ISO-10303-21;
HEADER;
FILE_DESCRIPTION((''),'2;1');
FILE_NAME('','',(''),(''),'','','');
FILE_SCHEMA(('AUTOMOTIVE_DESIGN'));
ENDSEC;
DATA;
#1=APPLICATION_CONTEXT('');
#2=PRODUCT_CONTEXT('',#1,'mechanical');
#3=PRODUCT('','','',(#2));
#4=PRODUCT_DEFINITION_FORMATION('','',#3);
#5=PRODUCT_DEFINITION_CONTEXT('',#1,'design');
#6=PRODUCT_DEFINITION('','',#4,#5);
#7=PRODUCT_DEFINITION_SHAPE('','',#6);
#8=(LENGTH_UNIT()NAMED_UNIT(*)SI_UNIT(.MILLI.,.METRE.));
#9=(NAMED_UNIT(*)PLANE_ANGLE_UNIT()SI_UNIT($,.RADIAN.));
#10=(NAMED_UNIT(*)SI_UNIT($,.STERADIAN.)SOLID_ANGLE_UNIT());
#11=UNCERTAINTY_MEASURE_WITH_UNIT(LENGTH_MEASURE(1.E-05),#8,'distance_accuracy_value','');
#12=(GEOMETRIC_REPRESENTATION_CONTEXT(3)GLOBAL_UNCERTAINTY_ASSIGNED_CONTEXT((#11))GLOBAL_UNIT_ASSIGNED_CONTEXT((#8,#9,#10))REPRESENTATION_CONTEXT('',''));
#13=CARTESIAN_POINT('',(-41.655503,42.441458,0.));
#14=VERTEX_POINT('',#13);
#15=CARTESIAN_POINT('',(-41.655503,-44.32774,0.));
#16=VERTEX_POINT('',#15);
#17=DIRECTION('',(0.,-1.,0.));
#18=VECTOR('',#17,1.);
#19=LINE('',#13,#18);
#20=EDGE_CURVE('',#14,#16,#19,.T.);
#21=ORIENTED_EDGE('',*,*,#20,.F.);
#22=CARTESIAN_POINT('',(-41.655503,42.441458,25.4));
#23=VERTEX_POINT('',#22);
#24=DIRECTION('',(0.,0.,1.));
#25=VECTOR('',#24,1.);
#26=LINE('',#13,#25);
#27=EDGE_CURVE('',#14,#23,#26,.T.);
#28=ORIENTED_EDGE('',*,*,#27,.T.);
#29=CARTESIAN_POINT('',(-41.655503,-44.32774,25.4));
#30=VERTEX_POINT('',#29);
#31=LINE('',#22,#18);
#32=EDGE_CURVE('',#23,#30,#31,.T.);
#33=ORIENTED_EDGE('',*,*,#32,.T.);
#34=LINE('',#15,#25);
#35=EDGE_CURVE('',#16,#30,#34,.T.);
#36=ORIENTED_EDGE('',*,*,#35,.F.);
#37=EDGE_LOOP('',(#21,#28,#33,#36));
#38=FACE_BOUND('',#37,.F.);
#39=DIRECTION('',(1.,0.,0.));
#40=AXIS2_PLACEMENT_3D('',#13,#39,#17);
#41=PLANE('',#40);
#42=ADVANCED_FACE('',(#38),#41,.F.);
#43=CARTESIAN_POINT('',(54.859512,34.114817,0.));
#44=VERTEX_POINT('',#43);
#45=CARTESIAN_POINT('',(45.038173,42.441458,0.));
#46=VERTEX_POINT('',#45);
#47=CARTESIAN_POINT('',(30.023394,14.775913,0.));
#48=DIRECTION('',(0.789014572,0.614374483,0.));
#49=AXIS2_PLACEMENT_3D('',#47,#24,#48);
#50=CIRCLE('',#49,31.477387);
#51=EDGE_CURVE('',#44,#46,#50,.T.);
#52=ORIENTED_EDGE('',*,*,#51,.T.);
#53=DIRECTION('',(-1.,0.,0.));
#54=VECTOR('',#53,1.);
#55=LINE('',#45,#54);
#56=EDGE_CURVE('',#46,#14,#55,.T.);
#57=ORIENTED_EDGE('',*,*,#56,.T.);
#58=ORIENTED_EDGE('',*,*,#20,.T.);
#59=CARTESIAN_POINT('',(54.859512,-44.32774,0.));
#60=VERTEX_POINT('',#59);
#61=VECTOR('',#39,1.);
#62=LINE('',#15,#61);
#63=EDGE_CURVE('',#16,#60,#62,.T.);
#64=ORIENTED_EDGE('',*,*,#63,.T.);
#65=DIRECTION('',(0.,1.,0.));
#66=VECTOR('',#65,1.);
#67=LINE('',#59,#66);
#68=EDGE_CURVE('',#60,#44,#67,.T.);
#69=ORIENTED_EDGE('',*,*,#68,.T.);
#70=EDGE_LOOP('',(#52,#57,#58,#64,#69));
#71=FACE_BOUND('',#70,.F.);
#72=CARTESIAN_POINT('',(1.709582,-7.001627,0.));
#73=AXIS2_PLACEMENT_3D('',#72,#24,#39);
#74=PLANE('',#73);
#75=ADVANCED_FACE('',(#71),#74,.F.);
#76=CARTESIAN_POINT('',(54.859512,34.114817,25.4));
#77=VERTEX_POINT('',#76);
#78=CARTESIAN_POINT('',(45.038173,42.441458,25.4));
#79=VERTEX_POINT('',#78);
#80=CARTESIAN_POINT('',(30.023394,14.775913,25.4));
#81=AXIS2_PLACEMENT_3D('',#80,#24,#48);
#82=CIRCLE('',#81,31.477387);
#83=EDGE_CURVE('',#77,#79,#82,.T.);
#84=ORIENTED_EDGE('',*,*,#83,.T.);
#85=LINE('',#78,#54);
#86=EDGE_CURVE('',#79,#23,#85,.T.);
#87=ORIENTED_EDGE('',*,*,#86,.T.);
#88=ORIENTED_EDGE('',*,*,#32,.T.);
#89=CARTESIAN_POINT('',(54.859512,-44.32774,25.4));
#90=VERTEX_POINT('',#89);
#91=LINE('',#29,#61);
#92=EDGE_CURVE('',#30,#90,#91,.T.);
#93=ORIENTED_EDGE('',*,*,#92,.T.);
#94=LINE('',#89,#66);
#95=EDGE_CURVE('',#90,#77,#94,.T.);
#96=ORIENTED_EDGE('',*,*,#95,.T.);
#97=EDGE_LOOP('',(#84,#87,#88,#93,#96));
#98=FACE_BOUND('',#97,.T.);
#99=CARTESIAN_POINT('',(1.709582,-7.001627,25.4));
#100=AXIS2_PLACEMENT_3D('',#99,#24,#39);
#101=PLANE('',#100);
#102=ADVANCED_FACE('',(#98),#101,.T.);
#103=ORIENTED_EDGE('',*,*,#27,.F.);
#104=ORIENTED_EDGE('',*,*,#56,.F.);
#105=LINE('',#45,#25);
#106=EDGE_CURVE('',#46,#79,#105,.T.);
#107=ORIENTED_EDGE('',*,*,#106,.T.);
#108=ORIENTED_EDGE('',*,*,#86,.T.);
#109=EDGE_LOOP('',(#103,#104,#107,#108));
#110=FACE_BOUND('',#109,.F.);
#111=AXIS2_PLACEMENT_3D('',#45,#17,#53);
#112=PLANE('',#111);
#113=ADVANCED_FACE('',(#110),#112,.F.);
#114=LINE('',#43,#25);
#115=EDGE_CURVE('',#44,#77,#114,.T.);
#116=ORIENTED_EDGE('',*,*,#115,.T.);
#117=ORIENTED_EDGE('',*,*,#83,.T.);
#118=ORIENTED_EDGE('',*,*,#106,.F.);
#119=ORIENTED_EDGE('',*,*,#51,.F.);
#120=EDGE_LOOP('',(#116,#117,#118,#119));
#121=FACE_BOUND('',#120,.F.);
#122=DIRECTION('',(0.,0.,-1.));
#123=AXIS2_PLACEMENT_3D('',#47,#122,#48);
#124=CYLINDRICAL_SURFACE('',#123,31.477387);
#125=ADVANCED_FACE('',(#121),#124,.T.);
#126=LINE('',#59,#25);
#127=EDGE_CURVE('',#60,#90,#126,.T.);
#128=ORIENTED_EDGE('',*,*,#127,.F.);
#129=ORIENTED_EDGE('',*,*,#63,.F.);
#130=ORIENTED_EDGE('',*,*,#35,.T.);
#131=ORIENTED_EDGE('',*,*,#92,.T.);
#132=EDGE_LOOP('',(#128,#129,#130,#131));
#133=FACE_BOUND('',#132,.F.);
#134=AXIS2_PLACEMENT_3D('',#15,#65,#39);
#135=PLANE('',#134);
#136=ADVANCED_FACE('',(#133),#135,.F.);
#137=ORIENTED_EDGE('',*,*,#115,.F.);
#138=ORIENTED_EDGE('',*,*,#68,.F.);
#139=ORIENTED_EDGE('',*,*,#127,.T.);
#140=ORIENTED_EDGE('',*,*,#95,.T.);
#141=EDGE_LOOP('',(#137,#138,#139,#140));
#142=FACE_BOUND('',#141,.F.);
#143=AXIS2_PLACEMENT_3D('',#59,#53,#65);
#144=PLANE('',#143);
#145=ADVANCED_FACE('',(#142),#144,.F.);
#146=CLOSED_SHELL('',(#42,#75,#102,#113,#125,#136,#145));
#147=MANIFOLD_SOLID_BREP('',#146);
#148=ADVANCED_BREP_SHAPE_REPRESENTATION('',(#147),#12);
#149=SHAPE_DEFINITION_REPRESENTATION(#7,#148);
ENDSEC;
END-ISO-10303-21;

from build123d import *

# Parameters (mm, degrees)
F0_R     = 6.7719782622
F0_R_2   = 8.3533138705
F0_R_3   = 6.1041777079
F0_R_4   = 8.3887330486
F1_DEPTH = 25.4


with BuildPart() as f1:
    # F0 (on Top) → F1 (new body)
    with BuildSketch(Plane.XY):
        with BuildLine():
            Line((-32.8200038305, 42.44145751), (-41.6555032134, 42.44145751))
            Line((-41.6555032134, 42.44145751), (-41.6555032134, -44.3277396262))
            Line((-41.6555032134, -44.3277396262), (22.8379998192, -44.3277396262))
            ThreePointArc((22.8379998192, -44.3277396262), (20.9083950431, -42.8052736986), (19.896760613, -40.5652127903))
            ThreePointArc((19.896760613, -40.5652127903), (13.4825359621, -22.579296483), (30.9998358882, -30.1805902272))
            ThreePointArc((30.9998358882, -30.1805902272), (30.4866063296, -33.408568792), (28.9975340915, -36.3181931773))
            ThreePointArc((28.9975340915, -36.3181931773), (29.874119418, -37.8625041543), (30.1782038226, -39.6120272044))
            ThreePointArc((30.1782038226, -39.6120272044), (29.3555372579, -42.4145470817), (27.148595431, -44.3277396262))
            Line((27.148595431, -44.3277396262), (54.8595115542, -44.3277396262))
            Line((54.8595115542, -44.3277396262), (54.8595115542, -4.5629904419))
            ThreePointArc((54.8595115542, -4.5629904419), (6.013621036, -5.5798406926), (15.0086154157, 42.44145751))
            Line((15.0086154157, 42.44145751), (-17.7953552672, 42.44145751))
            ThreePointArc((-17.7953552672, 42.44145751), (-14.9723120672, 38.6078738284), (-13.9725065602, 33.9531637728))
            ThreePointArc((-13.9725065602, 33.9531637728), (-29.9623896044, 23.6177962912), (-32.8200038305, 42.44145751))
        make_face()
        with Locations((-27.5083519518, -21.0635364056)):
            Circle(F0_R, mode=Mode.SUBTRACT)
        with Locations((-6.7591932602, -11.9464835152)):
            Circle(F0_R_2, mode=Mode.SUBTRACT)
        with Locations((-14.6187227219, 17.9197248071)):
            Circle(F0_R_3, mode=Mode.SUBTRACT)
        with BuildLine():
            Line((-17.7953552672, 42.44145751), (-32.8200038305, 42.44145751))
            ThreePointArc((-32.8200038305, 42.44145751), (-29.9623896044, 23.6177962912), (-13.9725065602, 33.9531637728))
            ThreePointArc((-13.9725065602, 33.9531637728), (-14.9723120672, 38.6078738284), (-17.7953552672, 42.44145751))
        make_face()
        with Locations((-27.5083519518, -21.0635364056)):
            Circle(F0_R)
        with BuildLine():
            Line((45.0381728893, 42.44145751), (15.0086154157, 42.44145751))
            ThreePointArc((15.0086154157, 42.44145751), (6.013621036, -5.5798406926), (54.8595115542, -4.5629904419))
            Line((54.8595115542, -4.5629904419), (54.8595115542, 34.1148168594))
            ThreePointArc((54.8595115542, 34.1148168594), (50.3791480539, 38.7856863253), (45.0381728893, 42.44145751))
        make_face()
        with Locations((28.137113899, 22.949822247)):
            Circle(F0_R_4, mode=Mode.SUBTRACT)
        with Locations((28.137113899, 22.949822247)):
            Circle(F0_R_4)
        with BuildLine():
            ThreePointArc((30.9998358882, -30.1805902272), (13.4825359621, -22.579296483), (19.896760613, -40.5652127903))
            ThreePointArc((19.896760613, -40.5652127903), (22.800679551, -34.913551041), (28.9975340915, -36.3181931773))
            ThreePointArc((28.9975340915, -36.3181931773), (30.4866063296, -33.408568792), (30.9998358882, -30.1805902272))
        make_face()
        with BuildLine():
            ThreePointArc((19.896760613, -40.5652127903), (20.9083950431, -42.8052736986), (22.8379998192, -44.3277396262))
            Line((22.8379998192, -44.3277396262), (27.148595431, -44.3277396262))
            ThreePointArc((27.148595431, -44.3277396262), (29.3555372579, -42.4145470817), (30.1782038226, -39.6120272044))
            ThreePointArc((30.1782038226, -39.6120272044), (29.874119418, -37.8625041543), (28.9975340915, -36.3181931773))
            ThreePointArc((28.9975340915, -36.3181931773), (24.9932976251, -39.6120272044), (19.896760613, -40.5652127903))
        make_face()
        with Locations((-6.7591932602, -11.9464835152)):
            Circle(F0_R_2)
        with BuildLine():
            ThreePointArc((28.9975340915, -36.3181931773), (22.800679551, -34.913551041), (19.896760613, -40.5652127903))
            ThreePointArc((19.896760613, -40.5652127903), (24.9932976251, -39.6120272044), (28.9975340915, -36.3181931773))
        make_face()
        with Locations((-14.6187227219, 17.9197248071)):
            Circle(F0_R_3)
    extrude(amount=F1_DEPTH)


solid = f1.part
